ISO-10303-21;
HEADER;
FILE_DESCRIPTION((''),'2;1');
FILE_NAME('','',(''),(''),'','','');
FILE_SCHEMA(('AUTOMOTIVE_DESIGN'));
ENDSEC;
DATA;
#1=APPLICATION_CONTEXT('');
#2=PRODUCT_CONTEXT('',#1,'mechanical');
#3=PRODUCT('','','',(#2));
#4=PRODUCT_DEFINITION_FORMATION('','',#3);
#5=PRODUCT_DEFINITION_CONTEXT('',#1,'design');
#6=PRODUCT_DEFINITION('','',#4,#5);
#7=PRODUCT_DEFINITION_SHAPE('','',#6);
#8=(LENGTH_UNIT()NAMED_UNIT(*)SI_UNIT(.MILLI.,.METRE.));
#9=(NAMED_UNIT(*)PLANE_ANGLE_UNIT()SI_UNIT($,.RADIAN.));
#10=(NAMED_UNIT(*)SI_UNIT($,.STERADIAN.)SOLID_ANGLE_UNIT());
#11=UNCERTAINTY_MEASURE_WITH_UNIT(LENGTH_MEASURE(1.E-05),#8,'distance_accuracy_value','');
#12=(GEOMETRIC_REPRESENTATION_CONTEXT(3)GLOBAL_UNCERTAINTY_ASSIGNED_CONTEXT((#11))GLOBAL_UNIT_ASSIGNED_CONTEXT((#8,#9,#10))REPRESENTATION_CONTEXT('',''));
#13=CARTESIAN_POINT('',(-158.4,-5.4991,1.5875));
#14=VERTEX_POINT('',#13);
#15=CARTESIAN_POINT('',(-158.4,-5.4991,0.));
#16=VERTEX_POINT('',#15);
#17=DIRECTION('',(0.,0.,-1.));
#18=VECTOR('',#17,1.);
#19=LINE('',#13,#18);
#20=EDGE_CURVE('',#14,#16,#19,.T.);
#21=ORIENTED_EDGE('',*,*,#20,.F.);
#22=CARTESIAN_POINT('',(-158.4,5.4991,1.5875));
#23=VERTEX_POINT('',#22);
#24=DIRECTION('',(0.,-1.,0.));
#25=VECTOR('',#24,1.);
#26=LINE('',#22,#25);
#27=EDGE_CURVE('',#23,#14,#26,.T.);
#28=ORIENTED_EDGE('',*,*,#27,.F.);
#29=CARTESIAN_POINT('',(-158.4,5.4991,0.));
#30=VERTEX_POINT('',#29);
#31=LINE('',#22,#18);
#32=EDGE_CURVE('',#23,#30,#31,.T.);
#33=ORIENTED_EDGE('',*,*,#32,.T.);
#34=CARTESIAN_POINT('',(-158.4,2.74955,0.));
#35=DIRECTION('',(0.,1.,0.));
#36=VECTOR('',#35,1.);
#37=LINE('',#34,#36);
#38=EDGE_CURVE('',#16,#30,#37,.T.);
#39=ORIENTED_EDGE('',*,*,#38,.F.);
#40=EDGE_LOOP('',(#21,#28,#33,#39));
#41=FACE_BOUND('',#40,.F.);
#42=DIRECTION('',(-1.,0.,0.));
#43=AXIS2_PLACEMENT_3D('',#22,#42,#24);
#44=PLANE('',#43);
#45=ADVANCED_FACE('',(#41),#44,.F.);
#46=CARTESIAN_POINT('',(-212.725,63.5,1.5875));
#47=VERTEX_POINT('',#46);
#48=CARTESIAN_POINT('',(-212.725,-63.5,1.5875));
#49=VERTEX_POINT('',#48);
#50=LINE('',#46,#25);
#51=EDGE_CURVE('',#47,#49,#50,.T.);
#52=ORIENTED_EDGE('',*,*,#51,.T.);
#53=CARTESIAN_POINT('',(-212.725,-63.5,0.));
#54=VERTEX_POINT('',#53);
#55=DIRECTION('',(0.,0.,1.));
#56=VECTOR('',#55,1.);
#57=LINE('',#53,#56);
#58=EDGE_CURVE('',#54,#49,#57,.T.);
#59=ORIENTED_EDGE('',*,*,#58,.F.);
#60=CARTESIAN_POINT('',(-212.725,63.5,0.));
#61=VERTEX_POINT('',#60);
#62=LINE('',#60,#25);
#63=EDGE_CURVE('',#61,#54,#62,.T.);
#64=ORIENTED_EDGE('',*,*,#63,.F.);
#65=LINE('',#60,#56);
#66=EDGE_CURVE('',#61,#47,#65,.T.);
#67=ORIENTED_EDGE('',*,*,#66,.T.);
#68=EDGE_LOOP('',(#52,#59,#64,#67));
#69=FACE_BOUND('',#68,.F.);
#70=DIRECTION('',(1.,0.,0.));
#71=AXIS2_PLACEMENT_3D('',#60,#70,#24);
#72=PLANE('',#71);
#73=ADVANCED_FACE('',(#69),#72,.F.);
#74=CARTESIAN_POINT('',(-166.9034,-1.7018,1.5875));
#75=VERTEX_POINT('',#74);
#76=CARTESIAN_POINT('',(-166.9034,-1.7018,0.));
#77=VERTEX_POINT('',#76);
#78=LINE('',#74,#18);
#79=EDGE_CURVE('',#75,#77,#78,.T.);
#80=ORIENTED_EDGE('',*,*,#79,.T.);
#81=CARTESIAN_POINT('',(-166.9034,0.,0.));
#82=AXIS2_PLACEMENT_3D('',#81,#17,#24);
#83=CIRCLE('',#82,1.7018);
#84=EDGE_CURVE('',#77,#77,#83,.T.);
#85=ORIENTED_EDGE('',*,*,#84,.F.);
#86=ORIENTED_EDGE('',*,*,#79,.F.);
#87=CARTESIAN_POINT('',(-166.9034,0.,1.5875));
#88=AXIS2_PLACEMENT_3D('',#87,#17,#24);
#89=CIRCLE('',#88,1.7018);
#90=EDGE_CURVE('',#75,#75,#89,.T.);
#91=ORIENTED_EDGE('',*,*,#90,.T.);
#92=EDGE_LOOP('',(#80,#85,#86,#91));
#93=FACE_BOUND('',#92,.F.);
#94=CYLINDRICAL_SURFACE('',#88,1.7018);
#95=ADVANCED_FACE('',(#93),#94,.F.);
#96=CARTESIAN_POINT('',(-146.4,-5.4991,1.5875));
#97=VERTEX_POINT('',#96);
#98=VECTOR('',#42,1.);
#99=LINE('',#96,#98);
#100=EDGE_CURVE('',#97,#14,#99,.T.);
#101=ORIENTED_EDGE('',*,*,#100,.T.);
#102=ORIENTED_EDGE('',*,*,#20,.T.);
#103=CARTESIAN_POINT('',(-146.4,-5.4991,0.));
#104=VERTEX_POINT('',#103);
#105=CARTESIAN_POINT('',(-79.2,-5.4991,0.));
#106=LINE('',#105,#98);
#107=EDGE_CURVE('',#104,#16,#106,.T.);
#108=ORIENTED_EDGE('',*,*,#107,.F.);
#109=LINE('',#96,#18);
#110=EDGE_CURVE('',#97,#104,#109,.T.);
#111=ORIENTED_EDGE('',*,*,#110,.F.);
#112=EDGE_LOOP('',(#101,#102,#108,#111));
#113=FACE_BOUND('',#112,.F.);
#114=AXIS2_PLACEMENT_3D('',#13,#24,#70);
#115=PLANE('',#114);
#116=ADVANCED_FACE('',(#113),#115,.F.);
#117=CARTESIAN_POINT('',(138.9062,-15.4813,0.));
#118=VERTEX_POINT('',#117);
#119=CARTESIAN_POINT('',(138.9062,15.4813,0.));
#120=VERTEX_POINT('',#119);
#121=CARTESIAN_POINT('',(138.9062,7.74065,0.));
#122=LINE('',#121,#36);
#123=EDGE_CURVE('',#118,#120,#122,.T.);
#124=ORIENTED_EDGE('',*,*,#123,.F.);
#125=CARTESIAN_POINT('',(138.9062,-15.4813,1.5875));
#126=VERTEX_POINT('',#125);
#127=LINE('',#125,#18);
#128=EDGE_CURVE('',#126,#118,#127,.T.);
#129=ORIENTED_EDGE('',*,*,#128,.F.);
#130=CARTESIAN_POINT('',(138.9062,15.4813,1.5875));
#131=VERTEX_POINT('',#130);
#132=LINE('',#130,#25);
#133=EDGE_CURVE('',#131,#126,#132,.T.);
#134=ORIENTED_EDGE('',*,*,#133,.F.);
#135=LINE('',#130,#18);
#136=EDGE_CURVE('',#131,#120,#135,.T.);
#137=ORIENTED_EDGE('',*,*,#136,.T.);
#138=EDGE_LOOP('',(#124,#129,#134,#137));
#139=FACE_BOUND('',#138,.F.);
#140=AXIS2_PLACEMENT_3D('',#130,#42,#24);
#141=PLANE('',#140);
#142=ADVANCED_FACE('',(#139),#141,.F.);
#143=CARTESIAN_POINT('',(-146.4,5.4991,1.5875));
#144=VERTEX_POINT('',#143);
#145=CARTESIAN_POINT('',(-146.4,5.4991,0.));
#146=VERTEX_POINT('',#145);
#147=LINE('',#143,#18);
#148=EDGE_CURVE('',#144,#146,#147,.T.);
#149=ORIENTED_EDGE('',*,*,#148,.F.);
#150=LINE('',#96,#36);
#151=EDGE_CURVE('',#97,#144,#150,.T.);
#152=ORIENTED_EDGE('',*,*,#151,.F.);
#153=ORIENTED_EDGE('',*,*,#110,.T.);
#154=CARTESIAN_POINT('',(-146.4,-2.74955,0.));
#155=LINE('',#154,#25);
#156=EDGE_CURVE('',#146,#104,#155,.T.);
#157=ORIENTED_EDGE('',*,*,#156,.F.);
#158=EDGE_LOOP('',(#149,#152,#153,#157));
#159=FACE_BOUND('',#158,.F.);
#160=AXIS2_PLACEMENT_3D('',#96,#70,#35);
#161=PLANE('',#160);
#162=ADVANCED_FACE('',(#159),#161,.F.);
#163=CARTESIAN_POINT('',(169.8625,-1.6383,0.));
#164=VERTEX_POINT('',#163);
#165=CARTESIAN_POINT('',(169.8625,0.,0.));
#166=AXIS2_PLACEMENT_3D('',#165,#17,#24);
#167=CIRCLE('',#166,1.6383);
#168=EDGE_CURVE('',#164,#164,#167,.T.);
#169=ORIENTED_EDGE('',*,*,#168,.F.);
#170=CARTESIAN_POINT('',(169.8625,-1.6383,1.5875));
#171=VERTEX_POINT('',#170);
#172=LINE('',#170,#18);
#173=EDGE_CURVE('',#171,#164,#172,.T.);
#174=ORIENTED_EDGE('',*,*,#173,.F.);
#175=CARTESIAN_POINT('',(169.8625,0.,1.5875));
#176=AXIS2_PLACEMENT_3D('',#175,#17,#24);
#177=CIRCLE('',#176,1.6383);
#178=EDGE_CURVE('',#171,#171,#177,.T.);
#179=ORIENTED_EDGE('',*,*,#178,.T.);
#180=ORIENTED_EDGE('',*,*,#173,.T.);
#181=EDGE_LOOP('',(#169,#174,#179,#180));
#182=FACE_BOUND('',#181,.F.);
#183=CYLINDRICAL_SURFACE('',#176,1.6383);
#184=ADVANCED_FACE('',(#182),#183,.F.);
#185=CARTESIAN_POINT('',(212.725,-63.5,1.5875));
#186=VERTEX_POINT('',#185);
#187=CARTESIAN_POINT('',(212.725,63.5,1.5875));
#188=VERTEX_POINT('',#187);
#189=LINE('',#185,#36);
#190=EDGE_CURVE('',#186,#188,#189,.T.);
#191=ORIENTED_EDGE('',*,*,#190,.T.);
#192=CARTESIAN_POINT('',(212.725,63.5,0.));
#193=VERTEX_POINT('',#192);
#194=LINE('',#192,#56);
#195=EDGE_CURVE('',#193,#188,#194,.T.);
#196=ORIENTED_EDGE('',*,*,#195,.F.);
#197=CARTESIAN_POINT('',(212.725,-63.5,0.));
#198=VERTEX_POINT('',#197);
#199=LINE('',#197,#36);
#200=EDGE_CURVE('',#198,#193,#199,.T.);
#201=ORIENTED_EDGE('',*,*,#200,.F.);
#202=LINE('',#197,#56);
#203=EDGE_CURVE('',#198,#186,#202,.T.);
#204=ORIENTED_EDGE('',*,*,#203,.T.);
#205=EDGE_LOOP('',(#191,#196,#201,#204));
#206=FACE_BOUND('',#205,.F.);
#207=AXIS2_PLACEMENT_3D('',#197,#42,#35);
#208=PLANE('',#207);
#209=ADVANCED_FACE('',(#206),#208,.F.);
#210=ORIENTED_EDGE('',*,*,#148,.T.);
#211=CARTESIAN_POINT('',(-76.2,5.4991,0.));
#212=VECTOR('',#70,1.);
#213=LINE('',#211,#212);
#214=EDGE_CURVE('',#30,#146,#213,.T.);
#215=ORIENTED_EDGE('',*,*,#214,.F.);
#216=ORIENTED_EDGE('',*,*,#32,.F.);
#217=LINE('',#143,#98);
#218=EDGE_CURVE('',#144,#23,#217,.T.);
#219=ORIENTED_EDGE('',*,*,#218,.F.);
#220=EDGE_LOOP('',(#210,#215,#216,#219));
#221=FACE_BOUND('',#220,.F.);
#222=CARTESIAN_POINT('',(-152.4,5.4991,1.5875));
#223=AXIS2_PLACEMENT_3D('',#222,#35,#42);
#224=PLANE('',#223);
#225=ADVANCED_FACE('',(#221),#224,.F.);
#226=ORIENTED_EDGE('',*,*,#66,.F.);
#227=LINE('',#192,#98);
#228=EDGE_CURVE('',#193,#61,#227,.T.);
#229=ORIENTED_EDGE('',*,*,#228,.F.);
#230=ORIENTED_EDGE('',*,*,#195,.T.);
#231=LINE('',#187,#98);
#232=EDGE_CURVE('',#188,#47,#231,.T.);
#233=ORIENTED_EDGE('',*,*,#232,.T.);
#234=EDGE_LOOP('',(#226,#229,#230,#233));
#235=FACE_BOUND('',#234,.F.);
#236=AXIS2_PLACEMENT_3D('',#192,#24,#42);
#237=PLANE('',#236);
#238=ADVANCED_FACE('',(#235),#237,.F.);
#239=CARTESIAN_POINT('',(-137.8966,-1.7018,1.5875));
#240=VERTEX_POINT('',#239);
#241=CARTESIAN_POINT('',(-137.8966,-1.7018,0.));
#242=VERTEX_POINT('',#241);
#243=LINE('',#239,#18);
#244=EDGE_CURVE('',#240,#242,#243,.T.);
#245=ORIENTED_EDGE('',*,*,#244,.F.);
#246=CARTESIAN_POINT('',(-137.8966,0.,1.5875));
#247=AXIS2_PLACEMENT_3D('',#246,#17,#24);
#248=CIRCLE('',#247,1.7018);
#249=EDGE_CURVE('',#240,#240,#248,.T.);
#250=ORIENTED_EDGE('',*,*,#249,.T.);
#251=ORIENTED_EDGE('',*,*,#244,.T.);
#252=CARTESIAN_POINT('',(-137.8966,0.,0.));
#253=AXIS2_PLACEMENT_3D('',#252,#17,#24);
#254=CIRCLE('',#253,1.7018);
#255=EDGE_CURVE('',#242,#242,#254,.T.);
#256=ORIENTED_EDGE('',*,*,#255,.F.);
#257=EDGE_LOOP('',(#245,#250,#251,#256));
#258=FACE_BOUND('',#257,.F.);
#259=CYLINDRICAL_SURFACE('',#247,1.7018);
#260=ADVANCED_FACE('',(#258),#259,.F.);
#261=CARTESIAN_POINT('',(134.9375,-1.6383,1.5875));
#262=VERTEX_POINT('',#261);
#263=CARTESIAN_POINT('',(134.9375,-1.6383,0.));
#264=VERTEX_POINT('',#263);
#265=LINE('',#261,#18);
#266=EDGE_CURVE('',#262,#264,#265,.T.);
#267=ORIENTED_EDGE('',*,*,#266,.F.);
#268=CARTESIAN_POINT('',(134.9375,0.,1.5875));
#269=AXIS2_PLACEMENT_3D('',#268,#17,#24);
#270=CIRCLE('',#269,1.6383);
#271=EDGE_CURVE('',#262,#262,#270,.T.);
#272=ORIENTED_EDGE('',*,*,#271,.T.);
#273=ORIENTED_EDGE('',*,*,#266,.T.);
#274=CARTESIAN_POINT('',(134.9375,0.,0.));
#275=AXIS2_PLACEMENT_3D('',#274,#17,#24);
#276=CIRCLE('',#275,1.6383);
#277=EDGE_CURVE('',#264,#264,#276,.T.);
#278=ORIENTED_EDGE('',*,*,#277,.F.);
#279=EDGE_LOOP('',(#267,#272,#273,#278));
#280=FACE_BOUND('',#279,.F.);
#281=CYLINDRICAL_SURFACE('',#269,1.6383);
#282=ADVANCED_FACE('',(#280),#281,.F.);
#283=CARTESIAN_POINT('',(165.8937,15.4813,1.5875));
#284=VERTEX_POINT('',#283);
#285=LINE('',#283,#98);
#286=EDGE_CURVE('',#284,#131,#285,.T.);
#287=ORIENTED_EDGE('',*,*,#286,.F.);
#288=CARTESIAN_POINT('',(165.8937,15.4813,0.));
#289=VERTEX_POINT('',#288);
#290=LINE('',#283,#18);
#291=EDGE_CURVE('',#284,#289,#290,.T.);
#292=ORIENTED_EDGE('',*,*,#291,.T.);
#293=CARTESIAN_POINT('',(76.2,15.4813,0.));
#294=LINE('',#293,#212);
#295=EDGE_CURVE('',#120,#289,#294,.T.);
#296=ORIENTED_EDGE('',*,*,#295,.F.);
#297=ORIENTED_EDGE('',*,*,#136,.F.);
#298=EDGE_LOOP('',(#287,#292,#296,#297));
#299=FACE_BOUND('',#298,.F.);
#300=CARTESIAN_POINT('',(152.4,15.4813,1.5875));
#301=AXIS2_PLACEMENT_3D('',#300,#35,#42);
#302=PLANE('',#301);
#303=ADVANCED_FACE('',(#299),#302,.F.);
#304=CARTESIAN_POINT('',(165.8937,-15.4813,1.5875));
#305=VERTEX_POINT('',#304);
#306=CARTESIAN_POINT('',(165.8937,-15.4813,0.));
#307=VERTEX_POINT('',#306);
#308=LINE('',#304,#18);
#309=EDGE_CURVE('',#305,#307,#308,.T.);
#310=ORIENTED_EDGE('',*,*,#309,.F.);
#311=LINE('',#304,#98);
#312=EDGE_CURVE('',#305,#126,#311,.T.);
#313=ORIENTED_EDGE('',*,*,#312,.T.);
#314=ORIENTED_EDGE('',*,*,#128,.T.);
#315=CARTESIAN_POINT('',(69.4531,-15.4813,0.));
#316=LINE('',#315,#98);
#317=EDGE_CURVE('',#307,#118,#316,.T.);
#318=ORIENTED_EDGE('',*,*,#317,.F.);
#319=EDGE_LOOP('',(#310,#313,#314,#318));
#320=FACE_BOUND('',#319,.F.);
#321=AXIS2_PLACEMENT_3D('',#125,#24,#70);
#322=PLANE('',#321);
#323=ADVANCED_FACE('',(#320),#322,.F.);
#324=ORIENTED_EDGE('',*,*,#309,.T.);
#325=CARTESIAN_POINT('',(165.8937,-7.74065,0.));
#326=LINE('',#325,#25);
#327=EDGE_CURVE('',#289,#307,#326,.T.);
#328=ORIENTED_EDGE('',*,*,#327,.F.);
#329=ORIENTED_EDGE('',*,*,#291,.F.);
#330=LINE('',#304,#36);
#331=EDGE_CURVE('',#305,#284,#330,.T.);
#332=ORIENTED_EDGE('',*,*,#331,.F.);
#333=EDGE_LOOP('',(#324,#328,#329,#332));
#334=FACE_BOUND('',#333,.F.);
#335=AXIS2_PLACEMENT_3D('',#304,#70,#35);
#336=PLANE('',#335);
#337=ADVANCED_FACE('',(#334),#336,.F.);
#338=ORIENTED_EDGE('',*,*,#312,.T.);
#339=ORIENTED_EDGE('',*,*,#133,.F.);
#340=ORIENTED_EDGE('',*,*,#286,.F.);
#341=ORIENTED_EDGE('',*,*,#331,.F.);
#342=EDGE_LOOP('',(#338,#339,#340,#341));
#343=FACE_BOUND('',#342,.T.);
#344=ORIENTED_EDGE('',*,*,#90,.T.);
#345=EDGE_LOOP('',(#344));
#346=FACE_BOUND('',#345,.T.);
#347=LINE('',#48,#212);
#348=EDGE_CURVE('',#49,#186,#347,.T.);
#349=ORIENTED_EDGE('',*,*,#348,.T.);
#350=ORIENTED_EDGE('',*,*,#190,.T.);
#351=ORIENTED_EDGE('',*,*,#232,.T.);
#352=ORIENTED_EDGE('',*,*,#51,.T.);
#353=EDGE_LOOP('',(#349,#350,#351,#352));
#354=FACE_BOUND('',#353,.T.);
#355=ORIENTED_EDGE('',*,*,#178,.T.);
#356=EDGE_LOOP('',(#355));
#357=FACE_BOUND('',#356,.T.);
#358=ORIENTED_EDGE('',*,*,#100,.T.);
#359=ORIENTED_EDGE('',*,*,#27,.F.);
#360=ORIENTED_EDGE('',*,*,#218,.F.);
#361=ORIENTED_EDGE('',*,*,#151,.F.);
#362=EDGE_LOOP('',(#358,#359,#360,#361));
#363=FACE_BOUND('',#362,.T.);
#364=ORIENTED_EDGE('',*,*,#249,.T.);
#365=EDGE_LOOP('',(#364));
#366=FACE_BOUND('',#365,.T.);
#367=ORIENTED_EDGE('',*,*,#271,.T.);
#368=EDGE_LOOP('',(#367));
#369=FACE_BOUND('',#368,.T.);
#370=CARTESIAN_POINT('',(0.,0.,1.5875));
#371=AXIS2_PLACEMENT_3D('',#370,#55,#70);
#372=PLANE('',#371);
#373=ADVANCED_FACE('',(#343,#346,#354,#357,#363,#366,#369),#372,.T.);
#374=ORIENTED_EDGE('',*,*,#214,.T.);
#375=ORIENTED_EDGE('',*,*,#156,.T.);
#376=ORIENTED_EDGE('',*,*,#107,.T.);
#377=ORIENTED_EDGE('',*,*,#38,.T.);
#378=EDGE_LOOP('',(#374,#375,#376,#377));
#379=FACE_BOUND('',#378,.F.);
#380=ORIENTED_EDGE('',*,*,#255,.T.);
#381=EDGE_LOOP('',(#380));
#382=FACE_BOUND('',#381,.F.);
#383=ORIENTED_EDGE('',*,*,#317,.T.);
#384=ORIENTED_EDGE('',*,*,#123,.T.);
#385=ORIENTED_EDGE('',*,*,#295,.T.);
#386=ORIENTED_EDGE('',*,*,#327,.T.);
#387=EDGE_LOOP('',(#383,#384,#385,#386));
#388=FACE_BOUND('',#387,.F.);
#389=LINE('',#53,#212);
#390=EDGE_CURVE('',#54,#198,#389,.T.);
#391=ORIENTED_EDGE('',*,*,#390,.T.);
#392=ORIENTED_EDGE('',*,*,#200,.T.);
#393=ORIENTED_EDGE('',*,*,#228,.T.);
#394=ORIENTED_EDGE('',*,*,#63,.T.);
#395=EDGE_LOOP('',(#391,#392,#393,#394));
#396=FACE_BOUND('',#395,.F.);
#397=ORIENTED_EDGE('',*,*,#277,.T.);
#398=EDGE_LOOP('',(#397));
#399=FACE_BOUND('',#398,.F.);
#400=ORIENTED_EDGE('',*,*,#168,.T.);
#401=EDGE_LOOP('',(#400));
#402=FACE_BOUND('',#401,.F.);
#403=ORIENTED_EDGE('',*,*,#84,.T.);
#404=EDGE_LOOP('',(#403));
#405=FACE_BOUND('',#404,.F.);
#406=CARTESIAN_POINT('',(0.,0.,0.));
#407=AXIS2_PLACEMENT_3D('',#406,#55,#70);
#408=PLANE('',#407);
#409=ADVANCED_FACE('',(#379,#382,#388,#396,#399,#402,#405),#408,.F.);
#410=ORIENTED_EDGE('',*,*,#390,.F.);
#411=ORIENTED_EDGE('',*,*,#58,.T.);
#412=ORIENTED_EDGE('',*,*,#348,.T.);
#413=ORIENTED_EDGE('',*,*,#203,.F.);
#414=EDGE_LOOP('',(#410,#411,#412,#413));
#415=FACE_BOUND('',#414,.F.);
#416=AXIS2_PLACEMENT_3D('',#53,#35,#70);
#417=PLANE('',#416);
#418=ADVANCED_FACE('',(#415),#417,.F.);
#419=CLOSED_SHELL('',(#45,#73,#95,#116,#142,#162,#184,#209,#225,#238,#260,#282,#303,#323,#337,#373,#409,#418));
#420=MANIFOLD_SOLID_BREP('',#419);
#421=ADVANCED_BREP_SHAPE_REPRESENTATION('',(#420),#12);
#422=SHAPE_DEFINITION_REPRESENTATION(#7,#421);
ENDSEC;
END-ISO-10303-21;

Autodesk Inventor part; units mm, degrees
ref_plane "YZ Plane" through (0, 0, 0) normal (1, 0, 0) x (0, 1, 0)
ref_plane "XZ Plane" through (0, 0, 0) normal (0, 1, 0) x (-1, 0, 0)
ref_plane "XY Plane" through (0, 0, 0) normal (0, 0, 1) x (1, 0, 0)
sketch "Sketch1" plane through (0, 0, 0) normal (0, 0, 1) x (1, 0, 0)
  line L0 (-212.725, -63.5) -> (212.725, -63.5)
  line L1 (212.725, -63.5) -> (212.725, 63.5)
  line L2 (212.725, 63.5) -> (-212.725, 63.5)
  line L3 (-212.725, 63.5) -> (-212.725, -63.5)
  line L4 (-212.725, -63.5) -> (212.725, 63.5) construction
  line L5 (212.725, -63.5) -> (-212.725, 63.5) construction
  point P0 (0, 0)
  dimension "d0" = 127
  dimension "d1" = 425.45
extrude "Extrusion1" add sketch "Sketch1" along normal blind 1.5875
sketch "Sketch2" plane through (0, 0, 1.5875) normal (0, 0, 1) x (1, 0, 0)
  line L0 (152.4, -16.2954) -> (-152.4, -16.2954)
  line L1 (-152.4, -16.2954) -> (-152.4, 16.2954)
  line L2 (-152.4, 16.2954) -> (152.4, 16.2954)
  line L3 (152.4, 16.2954) -> (152.4, -16.2954)
  line L4 (152.4, -16.2954) -> (-152.4, 16.2954) construction
  line L5 (-152.4, -16.2954) -> (152.4, 16.2954) construction
  line L6 (-158.4, -5.4991) -> (-146.4, -5.4991)
  line L7 (-146.4, -5.4991) -> (-146.4, 5.4991)
  line L8 (-146.4, 5.4991) -> (-158.4, 5.4991)
  line L9 (-158.4, 5.4991) -> (-158.4, -5.4991)
  line L10 (-158.4, -5.4991) -> (-146.4, 5.4991) construction
  line L11 (-146.4, -5.4991) -> (-158.4, 5.4991) construction
  line L12 (138.9062, -15.4813) -> (165.8937, -15.4813)
  line L13 (165.8937, -15.4813) -> (165.8937, 15.4813)
  line L14 (165.8937, 15.4813) -> (138.9062, 15.4813)
  line L15 (138.9062, 15.4813) -> (138.9062, -15.4813)
  line L16 (138.9062, -15.4813) -> (165.8937, 15.4813) construction
  line L17 (165.8937, -15.4813) -> (138.9062, 15.4813) construction
  point P0 (0, 0)
  point P1 (-137.8966, 0)
  point P2 (-166.9034, 0)
  dimension "d4" = 304.8
  dimension "d5" = 12
  dimension "d6" = 10.9982
  dimension "d9" = 26.9875
  dimension "d10" = 30.9626
extrude "Extrusion2" cut sketch "Sketch2" against normal up to next contours L12 L15 L14 L3 | L3 L14 L13 L12 | L6 L9 L8 L1 | L1 L8 L7 L6
sketch "Sketch3" plane through (0, 0, 1.5875) normal (0, 0, 1) x (1, 0, 0)
  point P0 (0, 0)
hole "Hole1" at (-166.9034, 0, 1.5875) at (-137.8966, 0, 1.5875) direction (0, 0, -1) diameter 3.4036 end through all clearance for "Flat Head Machine Screw" size "M3" standard "Ansi Metric M Profile"
sketch "Sketch4" plane through (0, 0, 1.5875) normal (0, 0, 1) x (1, 0, 0)
  point P0 (0, 0)
  point P1 (169.8625, 0)
  point P2 (134.9375, 0)
  point P3 (152.4, 0)
  dimension "d22" = 34.925
  dimension "d23" = 17.4625
  dimension "d24" = 152.4
hole "Hole2" at (134.9375, 0, 1.5875) at (169.8625, 0, 1.5875) direction (0, 0, -1) diameter 3.2766 end through all clearance for "Flat Head Machine Screw (82)" size "#4" standard "Ansi Unified Screw Threads"
properties part number "back"
